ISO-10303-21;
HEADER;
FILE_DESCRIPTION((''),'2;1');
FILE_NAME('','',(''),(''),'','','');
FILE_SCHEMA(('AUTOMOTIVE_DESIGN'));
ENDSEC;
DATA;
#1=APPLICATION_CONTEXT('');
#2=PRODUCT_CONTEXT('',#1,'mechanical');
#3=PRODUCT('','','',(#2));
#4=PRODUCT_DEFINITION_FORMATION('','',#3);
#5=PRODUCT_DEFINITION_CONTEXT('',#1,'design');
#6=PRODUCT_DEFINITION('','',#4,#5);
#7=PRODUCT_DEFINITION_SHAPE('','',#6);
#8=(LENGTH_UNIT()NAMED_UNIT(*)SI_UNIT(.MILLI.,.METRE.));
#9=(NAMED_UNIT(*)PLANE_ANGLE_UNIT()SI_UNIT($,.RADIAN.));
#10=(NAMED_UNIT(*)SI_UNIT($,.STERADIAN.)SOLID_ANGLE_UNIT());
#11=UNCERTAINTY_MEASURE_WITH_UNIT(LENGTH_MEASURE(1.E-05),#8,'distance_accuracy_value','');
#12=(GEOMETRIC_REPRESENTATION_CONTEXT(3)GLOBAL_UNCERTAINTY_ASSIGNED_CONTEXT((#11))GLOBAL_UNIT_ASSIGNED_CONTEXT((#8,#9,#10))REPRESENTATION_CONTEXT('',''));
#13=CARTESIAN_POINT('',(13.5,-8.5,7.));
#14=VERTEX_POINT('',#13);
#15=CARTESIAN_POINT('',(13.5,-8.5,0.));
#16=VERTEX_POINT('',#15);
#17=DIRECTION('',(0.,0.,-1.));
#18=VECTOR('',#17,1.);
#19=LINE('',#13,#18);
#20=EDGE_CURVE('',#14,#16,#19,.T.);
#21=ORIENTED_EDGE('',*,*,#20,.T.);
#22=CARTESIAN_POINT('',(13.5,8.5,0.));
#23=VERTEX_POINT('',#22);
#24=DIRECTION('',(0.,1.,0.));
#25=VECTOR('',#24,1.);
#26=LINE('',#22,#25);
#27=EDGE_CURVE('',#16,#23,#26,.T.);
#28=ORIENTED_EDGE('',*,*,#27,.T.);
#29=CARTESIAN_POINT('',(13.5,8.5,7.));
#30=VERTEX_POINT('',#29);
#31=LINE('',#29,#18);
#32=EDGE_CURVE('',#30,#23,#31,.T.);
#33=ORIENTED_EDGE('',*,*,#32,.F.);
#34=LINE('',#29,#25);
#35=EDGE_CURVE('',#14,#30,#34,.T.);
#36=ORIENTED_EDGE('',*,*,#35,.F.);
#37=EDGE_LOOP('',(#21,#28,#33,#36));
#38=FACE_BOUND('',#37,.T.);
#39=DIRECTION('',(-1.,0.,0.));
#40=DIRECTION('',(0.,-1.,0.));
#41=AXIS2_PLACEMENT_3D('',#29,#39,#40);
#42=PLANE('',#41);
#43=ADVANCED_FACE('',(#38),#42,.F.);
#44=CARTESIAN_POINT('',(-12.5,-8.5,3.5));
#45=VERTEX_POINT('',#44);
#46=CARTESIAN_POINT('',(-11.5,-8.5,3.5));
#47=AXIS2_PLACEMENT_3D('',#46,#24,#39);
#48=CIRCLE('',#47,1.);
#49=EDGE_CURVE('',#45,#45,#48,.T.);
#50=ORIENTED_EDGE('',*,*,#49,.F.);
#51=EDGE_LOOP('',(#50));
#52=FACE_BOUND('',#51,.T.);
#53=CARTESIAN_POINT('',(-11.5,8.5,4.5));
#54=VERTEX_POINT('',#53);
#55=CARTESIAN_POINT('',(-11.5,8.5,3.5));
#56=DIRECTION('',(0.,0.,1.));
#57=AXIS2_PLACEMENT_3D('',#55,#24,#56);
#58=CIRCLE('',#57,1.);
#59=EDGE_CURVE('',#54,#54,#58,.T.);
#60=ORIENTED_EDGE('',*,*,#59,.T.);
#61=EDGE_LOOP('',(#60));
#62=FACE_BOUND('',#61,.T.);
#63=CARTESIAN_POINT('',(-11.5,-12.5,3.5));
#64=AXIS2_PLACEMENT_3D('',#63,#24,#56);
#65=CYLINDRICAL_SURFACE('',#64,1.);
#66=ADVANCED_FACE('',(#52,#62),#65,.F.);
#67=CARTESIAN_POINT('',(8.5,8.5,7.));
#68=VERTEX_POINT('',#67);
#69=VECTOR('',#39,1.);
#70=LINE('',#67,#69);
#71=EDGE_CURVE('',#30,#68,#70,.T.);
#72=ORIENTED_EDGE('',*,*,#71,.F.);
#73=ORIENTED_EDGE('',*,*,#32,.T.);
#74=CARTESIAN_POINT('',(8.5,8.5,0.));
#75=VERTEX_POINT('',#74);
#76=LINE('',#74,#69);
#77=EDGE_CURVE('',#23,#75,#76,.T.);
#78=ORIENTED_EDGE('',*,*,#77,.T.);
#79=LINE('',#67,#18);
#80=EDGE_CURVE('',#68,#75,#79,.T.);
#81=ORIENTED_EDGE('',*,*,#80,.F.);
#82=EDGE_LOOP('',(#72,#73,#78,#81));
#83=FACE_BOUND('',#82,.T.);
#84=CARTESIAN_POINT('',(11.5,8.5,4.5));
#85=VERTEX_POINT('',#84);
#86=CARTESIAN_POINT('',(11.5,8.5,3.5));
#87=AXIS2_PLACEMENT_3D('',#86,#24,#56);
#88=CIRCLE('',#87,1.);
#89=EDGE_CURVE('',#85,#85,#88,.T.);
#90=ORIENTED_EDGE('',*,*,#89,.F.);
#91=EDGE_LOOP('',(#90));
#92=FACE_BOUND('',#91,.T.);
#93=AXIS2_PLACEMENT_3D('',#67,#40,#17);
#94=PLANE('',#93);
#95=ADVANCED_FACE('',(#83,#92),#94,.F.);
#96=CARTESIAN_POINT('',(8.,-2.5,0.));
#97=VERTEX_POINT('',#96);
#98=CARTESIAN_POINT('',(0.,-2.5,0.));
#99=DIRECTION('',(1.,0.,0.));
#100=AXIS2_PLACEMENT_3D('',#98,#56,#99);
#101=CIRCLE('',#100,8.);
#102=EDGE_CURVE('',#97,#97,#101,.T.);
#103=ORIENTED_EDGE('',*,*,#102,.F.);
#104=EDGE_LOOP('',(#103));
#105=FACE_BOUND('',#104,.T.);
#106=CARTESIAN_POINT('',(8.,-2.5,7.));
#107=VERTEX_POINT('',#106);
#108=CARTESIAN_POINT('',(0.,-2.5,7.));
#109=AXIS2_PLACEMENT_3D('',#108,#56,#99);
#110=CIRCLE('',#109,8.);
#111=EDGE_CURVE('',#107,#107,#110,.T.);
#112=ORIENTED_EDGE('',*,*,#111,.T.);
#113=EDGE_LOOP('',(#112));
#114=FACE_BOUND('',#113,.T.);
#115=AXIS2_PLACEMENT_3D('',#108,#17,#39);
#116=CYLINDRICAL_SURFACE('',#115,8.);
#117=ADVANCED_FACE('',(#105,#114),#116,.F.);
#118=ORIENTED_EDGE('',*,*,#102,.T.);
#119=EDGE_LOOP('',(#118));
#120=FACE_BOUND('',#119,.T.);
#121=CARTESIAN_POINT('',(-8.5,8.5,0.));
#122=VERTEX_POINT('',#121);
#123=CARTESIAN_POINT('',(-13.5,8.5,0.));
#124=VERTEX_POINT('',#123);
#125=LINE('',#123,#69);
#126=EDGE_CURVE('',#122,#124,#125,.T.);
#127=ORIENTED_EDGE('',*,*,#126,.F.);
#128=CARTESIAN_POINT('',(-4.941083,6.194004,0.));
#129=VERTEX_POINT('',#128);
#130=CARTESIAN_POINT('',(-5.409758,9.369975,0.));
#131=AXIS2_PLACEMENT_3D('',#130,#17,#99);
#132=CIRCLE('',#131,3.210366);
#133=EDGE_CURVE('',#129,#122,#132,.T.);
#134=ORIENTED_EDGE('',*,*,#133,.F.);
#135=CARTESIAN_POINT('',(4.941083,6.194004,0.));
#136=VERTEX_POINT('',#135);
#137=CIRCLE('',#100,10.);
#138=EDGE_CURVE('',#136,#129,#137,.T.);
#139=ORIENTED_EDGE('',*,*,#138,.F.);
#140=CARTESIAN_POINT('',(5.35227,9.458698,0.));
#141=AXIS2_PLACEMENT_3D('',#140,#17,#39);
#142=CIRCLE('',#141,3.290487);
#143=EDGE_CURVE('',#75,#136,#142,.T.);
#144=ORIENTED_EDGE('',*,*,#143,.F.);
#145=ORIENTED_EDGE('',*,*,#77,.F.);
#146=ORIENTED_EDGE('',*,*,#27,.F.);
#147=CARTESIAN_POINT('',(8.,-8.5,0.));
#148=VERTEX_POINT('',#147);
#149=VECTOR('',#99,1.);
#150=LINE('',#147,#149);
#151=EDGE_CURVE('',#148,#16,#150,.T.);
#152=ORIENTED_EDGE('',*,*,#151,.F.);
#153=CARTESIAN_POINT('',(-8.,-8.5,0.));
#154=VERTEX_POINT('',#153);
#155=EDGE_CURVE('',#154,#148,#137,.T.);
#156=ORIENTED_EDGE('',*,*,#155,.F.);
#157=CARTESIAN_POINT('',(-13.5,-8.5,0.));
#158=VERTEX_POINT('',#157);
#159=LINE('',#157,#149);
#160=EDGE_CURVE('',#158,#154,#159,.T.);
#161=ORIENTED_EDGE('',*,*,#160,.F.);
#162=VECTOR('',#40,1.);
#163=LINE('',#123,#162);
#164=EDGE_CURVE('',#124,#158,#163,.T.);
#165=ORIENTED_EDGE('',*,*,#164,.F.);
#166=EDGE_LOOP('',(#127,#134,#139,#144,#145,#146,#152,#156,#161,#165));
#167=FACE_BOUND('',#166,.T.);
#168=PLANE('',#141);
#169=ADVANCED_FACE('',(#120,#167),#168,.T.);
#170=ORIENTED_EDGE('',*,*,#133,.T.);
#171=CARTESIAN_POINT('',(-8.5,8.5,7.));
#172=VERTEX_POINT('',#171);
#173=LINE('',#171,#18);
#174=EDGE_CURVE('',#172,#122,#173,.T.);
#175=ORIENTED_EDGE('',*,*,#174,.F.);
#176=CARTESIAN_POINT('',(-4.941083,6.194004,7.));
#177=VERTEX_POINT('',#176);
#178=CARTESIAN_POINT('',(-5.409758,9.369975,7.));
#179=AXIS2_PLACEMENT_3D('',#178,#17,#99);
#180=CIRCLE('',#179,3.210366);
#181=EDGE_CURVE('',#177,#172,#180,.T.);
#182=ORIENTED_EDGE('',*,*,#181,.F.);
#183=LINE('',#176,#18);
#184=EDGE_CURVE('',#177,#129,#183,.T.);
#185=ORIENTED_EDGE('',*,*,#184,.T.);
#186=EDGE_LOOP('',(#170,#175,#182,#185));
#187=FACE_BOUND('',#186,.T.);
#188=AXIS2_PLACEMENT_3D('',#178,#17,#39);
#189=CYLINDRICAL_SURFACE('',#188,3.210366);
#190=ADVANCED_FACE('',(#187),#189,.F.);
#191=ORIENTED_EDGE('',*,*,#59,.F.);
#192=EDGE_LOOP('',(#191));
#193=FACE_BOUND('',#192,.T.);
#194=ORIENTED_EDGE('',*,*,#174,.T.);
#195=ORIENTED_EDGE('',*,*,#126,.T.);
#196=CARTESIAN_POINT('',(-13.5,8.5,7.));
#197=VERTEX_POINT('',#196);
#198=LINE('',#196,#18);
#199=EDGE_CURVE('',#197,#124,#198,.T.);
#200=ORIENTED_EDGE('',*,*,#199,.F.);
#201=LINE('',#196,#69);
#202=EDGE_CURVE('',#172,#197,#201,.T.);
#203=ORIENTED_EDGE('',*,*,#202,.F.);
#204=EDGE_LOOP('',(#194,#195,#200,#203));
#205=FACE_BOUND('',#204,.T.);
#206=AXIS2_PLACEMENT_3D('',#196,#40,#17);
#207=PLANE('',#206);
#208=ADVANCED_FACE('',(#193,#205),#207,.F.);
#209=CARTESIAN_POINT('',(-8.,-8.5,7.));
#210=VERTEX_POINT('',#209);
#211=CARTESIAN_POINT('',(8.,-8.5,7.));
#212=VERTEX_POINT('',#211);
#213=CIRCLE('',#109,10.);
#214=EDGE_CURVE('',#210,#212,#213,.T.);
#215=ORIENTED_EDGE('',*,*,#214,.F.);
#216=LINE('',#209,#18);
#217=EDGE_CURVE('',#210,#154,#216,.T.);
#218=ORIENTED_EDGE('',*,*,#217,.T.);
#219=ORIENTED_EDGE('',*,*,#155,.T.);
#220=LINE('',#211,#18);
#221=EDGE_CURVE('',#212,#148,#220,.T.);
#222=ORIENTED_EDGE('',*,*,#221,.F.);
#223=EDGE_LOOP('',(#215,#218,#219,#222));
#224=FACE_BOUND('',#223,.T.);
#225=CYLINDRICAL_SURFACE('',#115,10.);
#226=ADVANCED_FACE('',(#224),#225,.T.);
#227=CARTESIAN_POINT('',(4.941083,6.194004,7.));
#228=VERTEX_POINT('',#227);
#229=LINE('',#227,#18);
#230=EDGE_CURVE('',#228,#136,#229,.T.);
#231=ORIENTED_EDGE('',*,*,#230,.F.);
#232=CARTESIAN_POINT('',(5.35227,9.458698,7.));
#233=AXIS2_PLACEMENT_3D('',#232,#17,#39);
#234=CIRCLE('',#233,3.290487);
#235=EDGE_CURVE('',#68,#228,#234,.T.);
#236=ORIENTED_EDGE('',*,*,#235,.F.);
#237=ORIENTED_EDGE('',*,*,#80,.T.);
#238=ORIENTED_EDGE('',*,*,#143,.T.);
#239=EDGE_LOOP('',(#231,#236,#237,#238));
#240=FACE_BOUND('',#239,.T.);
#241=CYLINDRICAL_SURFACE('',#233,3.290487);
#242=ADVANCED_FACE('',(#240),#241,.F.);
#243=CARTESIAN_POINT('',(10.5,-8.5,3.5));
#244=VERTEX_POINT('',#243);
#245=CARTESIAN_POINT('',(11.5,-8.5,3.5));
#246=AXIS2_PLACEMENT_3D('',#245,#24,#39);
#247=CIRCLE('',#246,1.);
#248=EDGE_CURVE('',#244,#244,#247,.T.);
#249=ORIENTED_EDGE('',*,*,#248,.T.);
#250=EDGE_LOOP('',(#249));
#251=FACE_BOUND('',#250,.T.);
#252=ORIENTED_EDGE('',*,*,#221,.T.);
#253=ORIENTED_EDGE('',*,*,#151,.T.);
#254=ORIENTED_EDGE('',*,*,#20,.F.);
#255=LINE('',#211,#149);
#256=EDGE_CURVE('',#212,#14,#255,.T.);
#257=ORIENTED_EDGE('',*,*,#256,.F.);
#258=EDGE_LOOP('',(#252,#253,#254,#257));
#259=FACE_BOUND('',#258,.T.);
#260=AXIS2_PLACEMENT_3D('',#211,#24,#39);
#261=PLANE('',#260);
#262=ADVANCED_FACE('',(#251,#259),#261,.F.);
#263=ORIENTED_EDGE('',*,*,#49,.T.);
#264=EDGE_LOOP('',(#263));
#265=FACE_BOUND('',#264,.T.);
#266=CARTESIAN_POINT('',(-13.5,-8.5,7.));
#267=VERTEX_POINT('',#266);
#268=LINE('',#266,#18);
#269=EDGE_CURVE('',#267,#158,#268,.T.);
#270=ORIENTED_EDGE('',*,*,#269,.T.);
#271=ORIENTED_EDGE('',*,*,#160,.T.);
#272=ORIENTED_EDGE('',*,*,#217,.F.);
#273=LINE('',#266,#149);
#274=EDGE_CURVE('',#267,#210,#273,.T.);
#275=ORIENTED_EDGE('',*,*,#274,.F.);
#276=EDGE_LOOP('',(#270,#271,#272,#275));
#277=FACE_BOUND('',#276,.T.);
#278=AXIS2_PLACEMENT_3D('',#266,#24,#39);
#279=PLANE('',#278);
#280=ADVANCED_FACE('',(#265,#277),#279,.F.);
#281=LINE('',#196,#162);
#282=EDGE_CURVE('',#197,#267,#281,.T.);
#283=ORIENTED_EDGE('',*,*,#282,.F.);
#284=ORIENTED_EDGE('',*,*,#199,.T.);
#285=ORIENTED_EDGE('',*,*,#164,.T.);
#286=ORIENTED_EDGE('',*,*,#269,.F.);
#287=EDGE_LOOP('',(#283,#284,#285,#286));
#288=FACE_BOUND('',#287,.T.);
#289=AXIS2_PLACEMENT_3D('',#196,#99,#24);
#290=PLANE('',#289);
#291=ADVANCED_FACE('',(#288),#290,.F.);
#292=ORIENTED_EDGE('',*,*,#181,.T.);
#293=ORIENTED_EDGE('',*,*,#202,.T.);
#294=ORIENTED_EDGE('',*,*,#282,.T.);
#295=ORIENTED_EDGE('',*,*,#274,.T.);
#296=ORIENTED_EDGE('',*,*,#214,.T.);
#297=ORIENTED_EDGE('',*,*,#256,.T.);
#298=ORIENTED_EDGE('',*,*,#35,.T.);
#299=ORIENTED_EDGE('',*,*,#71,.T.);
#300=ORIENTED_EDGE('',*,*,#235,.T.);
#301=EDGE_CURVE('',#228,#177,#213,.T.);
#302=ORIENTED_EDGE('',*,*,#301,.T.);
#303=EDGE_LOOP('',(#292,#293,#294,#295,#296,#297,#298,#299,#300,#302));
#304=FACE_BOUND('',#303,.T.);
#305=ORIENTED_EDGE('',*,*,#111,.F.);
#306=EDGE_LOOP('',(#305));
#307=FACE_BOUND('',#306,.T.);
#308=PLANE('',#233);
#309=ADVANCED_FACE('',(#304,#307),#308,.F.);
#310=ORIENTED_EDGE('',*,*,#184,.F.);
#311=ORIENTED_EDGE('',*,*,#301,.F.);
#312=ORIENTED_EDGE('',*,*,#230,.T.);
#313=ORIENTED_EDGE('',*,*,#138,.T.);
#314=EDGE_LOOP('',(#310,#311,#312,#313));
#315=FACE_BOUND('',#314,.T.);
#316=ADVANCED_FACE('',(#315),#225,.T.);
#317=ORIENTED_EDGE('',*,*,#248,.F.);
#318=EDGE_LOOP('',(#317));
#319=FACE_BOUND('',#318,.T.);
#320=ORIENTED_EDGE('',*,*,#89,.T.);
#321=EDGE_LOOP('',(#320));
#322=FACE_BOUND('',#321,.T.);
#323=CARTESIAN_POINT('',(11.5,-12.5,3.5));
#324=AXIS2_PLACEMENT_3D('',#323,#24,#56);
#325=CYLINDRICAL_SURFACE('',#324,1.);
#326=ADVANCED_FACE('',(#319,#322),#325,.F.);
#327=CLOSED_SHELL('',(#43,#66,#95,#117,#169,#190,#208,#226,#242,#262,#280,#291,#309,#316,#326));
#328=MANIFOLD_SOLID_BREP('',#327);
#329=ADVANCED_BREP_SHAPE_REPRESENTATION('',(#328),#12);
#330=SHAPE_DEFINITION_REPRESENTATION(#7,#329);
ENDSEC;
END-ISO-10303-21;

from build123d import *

# Parameters (mm, degrees)
SKETCH1_R           = 8
BOSS_EXTRUDE1_DEPTH = 7
SKETCH2_R           = 1
CUT_EXTRUDE1_DEPTH  = 22


with BuildPart() as part:
    # Sketch1 → Boss-Extrude1 (new body)
    with BuildSketch(Plane.XY):
        with BuildLine():
            Line((-13.5, 8.5), (-8.5, 8.5))
            ThreePointArc((-8.5, 8.5), (-7.155483469, 6.675741758), (-4.941082547, 6.194003868))
            ThreePointArc((-4.941082547, 6.194003868), (0, 7.5), (4.941082547, 6.194003868))
            ThreePointArc((4.941082547, 6.194003868), (7.141563471, 6.697224935), (8.5, 8.5))
            Line((8.5, 8.5), (13.5, 8.5))
            Line((13.5, 8.5), (13.5, -8.5))
            Line((13.5, -8.5), (8, -8.5))
            ThreePointArc((8, -8.5), (0, -12.5), (-8, -8.5))
            Line((-8, -8.5), (-13.5, -8.5))
            Line((-13.5, -8.5), (-13.5, 8.5))
        make_face()
        with Locations((0, -2.5)):
            Circle(SKETCH1_R, mode=Mode.SUBTRACT)
    extrude(amount=BOSS_EXTRUDE1_DEPTH)

    # Sketch2 → Cut-Extrude1 (cut, through all)
    with BuildSketch(Plane(origin=(0, 8.5, 0), x_dir=(1, 0, 0), z_dir=(0, 1, 0))):
        with Locations((-11.5, -3.5)):
            Circle(SKETCH2_R)
        with Locations((11.5, -3.5)):
            Circle(SKETCH2_R)
    extrude(amount=-CUT_EXTRUDE1_DEPTH, mode=Mode.SUBTRACT)


solid = part.part
